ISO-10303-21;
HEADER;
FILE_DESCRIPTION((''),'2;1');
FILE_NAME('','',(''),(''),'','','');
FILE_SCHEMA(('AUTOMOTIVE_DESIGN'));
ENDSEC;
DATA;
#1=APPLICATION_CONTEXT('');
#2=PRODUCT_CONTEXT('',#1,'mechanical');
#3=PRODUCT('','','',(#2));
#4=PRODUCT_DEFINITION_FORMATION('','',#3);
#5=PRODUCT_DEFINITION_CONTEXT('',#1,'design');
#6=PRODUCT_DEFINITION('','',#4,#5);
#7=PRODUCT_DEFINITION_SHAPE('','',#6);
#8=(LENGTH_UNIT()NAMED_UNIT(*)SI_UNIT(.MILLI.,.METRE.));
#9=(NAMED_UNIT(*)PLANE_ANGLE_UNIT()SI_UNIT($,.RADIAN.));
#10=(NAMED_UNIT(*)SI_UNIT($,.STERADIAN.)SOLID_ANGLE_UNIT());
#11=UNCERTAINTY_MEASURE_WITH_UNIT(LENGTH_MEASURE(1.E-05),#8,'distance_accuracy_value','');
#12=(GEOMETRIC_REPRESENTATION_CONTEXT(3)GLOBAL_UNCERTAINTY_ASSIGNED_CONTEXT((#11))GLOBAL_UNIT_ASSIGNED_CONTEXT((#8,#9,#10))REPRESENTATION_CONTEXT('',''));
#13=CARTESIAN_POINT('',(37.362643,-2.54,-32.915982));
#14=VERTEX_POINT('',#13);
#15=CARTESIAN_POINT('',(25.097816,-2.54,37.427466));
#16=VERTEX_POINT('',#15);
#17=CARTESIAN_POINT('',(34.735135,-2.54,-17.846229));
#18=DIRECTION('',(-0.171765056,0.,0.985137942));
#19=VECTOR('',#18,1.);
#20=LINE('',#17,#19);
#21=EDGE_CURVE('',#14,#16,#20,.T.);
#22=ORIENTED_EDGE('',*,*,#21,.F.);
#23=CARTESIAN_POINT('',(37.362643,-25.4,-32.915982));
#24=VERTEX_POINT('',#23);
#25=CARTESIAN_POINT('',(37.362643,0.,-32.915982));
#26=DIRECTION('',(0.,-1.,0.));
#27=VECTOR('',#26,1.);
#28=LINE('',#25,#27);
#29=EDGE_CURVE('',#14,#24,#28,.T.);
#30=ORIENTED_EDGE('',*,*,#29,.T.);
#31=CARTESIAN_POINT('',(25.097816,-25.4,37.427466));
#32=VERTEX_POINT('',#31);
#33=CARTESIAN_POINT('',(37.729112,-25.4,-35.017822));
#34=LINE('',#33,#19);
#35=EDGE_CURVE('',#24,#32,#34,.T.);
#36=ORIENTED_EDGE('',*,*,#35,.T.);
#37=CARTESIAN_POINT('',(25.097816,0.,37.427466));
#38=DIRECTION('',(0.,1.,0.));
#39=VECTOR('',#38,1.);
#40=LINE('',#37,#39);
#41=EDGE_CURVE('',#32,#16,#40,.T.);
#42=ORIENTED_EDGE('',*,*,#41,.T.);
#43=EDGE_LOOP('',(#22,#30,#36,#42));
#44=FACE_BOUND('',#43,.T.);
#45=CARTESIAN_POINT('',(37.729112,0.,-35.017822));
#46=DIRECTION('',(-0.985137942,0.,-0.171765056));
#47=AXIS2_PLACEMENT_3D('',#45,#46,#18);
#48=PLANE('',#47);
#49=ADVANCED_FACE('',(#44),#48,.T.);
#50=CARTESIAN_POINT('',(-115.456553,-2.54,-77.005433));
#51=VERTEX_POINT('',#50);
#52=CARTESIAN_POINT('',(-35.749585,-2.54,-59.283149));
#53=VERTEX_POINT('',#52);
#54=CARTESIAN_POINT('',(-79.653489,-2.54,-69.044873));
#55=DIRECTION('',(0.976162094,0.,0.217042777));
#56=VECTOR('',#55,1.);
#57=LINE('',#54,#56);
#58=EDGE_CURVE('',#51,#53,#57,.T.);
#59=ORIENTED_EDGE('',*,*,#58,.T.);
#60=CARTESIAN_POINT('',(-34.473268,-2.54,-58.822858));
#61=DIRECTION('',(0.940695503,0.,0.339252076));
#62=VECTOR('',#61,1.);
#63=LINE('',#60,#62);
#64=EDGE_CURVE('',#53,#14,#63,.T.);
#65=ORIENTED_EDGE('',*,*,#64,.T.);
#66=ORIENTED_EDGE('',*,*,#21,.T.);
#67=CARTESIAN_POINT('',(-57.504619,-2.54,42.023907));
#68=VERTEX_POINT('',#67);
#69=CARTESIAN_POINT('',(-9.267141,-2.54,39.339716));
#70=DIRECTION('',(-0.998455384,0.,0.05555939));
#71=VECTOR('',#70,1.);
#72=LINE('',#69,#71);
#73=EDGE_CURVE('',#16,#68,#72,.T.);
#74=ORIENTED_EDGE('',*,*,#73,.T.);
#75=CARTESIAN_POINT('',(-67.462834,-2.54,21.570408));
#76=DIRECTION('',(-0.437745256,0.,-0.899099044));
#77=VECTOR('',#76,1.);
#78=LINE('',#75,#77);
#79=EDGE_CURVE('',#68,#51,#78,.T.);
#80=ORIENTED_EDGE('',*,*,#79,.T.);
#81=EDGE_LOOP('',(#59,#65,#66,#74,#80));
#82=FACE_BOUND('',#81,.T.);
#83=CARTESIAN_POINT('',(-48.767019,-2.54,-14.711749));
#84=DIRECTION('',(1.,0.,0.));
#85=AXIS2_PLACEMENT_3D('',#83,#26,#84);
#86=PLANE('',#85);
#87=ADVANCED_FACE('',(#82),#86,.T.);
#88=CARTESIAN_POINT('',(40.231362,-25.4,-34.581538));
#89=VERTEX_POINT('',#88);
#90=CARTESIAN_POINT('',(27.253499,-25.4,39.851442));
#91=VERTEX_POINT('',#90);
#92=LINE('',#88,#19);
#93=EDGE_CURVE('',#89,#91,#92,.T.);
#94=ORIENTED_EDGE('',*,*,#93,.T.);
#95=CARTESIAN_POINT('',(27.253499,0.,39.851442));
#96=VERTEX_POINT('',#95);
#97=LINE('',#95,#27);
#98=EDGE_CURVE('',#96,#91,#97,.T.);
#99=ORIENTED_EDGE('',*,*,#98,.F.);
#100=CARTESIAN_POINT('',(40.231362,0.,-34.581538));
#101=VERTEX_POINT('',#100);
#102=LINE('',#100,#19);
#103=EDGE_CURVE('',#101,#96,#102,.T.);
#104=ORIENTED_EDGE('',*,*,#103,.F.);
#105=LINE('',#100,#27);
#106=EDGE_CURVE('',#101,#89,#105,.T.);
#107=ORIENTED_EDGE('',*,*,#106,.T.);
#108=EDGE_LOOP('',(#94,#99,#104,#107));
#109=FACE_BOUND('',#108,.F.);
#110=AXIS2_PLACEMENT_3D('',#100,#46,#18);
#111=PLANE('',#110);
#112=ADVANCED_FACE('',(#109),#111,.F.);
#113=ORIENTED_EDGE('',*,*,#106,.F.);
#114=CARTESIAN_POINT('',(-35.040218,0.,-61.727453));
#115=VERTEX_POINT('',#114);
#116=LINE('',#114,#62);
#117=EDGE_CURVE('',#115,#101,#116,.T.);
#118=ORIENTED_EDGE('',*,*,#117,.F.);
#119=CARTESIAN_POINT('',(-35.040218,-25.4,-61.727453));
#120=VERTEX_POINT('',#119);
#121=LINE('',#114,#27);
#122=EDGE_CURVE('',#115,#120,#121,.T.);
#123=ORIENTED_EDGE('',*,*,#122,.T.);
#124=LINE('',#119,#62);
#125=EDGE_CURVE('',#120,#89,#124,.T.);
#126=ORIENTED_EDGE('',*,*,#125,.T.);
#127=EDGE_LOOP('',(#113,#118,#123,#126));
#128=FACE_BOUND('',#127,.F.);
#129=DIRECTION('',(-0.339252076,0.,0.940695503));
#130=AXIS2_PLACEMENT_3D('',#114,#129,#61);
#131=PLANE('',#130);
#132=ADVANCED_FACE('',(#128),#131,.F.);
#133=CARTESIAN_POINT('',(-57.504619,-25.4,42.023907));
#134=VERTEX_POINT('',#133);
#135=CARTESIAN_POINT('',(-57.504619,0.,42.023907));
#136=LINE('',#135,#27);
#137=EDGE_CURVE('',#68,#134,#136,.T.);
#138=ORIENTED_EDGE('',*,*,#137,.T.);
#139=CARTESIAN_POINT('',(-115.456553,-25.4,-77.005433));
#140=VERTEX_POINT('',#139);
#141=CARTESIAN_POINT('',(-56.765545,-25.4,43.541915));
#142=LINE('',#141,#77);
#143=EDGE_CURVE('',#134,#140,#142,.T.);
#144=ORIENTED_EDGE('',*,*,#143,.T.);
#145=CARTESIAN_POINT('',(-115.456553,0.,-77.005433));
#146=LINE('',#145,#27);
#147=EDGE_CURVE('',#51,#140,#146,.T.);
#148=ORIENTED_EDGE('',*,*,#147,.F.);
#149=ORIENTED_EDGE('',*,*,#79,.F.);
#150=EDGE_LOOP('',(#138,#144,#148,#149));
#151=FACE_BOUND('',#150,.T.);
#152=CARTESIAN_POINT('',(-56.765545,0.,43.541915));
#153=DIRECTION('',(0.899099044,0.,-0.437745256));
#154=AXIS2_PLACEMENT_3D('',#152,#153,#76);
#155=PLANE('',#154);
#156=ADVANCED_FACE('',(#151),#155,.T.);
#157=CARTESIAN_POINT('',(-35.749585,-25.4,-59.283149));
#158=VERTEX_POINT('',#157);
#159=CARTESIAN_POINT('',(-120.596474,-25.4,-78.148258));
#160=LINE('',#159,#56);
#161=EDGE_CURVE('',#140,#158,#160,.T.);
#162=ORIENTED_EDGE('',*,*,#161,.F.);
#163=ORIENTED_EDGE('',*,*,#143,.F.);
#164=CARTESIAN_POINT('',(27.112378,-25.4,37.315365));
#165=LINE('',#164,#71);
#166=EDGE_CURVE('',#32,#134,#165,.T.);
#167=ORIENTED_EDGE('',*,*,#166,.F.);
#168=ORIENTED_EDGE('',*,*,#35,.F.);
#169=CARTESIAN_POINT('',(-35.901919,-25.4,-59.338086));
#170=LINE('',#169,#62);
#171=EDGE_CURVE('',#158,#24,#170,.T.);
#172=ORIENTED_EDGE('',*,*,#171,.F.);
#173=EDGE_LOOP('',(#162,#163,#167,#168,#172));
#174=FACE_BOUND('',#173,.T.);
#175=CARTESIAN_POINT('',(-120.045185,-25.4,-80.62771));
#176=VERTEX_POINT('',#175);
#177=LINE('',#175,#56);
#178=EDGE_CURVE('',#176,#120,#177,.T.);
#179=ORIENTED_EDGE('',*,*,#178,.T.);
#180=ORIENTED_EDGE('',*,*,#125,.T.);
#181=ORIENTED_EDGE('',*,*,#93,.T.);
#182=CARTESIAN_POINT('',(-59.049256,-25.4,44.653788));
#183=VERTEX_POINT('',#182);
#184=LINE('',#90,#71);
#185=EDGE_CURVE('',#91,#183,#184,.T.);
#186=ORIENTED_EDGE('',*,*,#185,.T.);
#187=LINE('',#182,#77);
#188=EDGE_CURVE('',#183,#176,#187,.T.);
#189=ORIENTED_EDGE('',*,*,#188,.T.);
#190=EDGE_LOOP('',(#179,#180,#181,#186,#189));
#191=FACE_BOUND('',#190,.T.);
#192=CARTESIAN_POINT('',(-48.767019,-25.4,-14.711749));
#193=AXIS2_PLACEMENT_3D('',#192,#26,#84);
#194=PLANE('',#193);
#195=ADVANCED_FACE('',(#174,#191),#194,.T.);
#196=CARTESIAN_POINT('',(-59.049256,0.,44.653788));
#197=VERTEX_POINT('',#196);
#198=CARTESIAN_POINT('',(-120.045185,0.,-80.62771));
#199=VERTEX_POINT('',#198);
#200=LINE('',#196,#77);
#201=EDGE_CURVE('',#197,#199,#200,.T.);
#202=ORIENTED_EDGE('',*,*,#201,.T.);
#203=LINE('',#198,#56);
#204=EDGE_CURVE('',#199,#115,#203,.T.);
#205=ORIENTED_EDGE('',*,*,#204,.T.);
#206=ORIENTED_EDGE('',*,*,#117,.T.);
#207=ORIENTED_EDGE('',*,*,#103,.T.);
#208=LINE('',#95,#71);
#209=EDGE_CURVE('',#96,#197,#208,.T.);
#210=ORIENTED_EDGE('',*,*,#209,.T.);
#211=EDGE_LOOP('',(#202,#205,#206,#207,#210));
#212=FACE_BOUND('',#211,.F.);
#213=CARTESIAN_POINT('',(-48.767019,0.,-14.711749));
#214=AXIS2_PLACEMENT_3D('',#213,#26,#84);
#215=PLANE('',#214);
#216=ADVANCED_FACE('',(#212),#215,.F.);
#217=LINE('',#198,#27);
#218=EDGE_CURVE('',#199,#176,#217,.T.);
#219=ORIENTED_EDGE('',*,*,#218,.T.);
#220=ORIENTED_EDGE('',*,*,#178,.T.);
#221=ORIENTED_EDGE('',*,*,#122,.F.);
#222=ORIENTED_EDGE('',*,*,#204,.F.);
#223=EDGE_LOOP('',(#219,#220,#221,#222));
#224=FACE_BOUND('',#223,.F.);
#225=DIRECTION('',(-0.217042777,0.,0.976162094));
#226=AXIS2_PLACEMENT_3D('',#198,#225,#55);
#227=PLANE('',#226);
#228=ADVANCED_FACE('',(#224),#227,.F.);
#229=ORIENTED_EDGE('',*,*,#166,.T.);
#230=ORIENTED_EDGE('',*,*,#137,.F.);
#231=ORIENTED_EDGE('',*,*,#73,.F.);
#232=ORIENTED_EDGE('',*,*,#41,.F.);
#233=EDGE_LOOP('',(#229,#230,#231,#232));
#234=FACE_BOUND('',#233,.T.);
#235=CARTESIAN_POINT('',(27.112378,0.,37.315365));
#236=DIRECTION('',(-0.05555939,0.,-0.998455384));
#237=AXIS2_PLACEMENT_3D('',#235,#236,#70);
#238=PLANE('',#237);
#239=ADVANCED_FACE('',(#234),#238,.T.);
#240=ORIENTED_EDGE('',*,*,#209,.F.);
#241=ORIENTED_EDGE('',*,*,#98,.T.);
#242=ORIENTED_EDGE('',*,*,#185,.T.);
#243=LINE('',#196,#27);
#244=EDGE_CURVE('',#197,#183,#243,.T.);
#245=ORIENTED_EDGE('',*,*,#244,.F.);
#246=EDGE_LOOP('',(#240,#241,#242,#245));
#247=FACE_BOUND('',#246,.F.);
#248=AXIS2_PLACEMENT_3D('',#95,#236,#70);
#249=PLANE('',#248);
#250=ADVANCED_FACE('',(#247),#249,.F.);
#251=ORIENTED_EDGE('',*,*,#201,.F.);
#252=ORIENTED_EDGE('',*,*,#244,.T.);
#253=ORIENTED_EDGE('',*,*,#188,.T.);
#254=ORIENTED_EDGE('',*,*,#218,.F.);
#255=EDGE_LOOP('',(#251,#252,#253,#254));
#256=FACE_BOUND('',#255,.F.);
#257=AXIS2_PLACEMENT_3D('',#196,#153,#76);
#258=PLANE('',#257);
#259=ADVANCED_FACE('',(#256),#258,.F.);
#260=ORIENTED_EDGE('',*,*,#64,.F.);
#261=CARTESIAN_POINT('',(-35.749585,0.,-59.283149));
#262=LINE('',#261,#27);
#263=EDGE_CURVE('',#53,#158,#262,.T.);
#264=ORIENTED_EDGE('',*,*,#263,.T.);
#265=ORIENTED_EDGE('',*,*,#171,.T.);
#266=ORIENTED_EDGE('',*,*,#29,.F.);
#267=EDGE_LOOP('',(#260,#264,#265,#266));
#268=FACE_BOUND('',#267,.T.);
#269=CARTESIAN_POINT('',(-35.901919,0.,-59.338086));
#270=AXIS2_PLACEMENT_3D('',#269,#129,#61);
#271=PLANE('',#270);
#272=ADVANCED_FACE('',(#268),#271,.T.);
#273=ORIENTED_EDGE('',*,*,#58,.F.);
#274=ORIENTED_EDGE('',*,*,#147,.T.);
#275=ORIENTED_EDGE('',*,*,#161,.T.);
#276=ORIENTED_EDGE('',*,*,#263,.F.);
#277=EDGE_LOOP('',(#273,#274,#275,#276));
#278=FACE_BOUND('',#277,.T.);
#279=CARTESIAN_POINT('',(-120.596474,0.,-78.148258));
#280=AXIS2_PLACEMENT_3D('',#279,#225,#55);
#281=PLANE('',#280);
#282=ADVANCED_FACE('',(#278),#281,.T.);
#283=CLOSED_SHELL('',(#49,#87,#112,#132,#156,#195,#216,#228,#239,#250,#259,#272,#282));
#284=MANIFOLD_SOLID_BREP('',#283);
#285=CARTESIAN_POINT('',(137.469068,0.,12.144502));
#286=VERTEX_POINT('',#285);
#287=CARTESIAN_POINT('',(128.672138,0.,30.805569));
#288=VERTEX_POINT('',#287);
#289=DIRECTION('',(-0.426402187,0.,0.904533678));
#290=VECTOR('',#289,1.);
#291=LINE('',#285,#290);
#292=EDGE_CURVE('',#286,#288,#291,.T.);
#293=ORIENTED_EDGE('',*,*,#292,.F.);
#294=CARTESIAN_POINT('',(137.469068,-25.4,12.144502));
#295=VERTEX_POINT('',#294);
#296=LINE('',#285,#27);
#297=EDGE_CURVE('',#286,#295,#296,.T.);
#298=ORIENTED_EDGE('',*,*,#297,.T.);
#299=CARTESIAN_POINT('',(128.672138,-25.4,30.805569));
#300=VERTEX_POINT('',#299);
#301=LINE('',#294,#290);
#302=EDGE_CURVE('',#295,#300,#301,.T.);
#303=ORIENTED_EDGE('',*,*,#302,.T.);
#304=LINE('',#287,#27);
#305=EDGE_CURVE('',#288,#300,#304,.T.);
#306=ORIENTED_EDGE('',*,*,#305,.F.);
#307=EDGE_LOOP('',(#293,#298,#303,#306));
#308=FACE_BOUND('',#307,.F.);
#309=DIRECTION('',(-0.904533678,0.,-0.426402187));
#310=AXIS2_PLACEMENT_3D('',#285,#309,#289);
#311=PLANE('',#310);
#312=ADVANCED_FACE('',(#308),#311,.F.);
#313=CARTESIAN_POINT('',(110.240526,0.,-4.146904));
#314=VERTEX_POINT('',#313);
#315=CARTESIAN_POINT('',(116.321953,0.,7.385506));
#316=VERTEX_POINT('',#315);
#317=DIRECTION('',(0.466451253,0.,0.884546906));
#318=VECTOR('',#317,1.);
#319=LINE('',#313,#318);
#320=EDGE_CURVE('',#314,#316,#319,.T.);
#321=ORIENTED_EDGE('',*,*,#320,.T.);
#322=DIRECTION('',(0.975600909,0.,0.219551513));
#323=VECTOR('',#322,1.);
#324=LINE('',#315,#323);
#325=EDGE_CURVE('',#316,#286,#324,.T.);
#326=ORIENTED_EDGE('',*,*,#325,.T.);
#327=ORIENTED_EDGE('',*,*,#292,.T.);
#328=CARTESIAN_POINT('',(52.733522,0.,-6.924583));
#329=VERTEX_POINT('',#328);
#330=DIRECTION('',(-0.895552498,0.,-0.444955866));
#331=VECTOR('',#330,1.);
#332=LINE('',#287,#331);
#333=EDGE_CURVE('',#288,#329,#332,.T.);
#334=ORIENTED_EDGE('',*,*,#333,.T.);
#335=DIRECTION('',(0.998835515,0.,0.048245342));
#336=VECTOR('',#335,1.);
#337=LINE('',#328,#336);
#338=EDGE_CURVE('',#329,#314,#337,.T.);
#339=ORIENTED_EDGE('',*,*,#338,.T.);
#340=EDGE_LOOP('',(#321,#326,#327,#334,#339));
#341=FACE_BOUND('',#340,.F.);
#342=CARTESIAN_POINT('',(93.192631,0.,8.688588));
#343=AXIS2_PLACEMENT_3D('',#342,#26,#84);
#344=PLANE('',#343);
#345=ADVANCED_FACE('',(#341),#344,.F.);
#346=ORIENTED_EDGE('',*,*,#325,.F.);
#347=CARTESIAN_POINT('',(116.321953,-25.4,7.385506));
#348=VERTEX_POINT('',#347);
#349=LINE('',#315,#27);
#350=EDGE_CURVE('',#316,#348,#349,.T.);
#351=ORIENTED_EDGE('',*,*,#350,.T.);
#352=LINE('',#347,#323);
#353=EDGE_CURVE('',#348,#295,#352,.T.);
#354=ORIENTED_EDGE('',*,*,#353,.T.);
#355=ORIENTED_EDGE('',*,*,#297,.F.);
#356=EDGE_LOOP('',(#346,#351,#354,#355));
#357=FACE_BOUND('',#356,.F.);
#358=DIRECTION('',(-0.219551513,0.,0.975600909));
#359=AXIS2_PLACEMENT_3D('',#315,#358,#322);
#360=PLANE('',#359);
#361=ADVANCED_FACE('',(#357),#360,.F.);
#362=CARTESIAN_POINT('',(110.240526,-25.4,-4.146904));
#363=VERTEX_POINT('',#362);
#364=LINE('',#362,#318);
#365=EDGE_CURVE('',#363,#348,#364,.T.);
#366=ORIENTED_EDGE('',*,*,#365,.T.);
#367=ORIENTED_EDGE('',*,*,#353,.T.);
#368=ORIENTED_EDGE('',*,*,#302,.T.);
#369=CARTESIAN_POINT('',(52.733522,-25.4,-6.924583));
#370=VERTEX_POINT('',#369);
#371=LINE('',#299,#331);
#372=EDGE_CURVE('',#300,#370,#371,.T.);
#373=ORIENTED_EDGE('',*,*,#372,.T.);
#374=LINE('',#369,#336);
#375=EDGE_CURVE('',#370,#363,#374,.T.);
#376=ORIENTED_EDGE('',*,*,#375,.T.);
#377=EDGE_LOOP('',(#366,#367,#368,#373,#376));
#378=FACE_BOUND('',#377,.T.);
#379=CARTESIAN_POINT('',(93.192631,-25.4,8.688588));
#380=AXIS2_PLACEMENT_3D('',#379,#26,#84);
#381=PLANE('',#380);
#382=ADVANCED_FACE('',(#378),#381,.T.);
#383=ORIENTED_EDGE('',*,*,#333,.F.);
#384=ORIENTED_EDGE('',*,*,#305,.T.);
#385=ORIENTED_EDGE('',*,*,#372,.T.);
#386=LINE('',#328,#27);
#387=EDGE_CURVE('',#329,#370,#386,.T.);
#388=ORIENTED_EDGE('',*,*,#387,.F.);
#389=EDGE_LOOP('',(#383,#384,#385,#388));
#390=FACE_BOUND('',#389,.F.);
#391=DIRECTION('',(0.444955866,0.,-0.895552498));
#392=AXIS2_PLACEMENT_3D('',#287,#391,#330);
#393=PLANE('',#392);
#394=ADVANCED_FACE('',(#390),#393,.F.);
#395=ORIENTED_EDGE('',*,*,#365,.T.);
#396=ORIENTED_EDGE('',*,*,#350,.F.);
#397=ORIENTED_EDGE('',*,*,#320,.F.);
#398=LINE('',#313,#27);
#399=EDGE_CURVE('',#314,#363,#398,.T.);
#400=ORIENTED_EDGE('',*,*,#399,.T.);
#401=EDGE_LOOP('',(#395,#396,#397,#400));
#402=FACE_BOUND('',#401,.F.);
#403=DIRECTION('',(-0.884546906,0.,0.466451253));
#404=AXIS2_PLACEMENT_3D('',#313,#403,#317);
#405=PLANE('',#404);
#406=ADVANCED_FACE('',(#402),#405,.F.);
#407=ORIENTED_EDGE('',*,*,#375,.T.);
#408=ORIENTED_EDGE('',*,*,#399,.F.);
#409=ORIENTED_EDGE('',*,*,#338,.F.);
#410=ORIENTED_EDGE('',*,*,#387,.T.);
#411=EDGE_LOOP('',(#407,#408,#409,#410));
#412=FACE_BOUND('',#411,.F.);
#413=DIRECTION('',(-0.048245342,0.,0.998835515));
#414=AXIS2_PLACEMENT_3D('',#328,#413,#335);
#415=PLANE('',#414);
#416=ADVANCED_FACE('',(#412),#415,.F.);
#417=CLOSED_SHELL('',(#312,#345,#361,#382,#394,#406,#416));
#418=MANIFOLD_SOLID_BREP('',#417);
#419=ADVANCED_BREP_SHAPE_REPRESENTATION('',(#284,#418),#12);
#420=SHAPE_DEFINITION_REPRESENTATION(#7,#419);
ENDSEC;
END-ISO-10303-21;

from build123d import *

# Parameters (mm, degrees)
F1_DEPTH = 25.4
F2_T     = -2.54


with BuildPart() as f1:
    # F0 (on Front) → F1 (new body)
    with BuildSketch(Plane.XZ):
        Polygon((27.2534992546, 39.8514419794), (-59.049256146, 44.653788209), (-120.0451850891, -80.6277096272), (-35.0402183831, -61.7274530232), align=None)
        Polygon((40.2313619852, -34.5815382898), (27.2534992546, 39.8514419794), (-35.0402183831, -61.7274530232), align=None)
    extrude(amount=F1_DEPTH)

    # F2
    f2_openings = [f1.faces().sort_by_distance(p)[0] for p in [
        (-33.259144, -25.4, -14.378218),
    ]]
    offset(amount=F2_T, openings=f2_openings)


with BuildPart() as f1b:
    # F0 (on Front) → F1, piece 2 (new body)
    with BuildSketch(Plane.XZ):
        Polygon((128.6721378565, 30.8055691421), (52.7335224494, -6.9245833926), (116.3219529464, 7.3855059196), align=None)
        Polygon((116.3219529464, 7.3855059196), (52.7335224494, -6.9245833926), (110.2405264974, -4.1469037533), align=None)
        Polygon((128.6721378565, 30.8055691421), (116.3219529464, 7.3855059196), (137.4690681696, 12.1445022523), align=None)
    extrude(amount=F1_DEPTH)


solid = Compound([f1.part, f1b.part])
